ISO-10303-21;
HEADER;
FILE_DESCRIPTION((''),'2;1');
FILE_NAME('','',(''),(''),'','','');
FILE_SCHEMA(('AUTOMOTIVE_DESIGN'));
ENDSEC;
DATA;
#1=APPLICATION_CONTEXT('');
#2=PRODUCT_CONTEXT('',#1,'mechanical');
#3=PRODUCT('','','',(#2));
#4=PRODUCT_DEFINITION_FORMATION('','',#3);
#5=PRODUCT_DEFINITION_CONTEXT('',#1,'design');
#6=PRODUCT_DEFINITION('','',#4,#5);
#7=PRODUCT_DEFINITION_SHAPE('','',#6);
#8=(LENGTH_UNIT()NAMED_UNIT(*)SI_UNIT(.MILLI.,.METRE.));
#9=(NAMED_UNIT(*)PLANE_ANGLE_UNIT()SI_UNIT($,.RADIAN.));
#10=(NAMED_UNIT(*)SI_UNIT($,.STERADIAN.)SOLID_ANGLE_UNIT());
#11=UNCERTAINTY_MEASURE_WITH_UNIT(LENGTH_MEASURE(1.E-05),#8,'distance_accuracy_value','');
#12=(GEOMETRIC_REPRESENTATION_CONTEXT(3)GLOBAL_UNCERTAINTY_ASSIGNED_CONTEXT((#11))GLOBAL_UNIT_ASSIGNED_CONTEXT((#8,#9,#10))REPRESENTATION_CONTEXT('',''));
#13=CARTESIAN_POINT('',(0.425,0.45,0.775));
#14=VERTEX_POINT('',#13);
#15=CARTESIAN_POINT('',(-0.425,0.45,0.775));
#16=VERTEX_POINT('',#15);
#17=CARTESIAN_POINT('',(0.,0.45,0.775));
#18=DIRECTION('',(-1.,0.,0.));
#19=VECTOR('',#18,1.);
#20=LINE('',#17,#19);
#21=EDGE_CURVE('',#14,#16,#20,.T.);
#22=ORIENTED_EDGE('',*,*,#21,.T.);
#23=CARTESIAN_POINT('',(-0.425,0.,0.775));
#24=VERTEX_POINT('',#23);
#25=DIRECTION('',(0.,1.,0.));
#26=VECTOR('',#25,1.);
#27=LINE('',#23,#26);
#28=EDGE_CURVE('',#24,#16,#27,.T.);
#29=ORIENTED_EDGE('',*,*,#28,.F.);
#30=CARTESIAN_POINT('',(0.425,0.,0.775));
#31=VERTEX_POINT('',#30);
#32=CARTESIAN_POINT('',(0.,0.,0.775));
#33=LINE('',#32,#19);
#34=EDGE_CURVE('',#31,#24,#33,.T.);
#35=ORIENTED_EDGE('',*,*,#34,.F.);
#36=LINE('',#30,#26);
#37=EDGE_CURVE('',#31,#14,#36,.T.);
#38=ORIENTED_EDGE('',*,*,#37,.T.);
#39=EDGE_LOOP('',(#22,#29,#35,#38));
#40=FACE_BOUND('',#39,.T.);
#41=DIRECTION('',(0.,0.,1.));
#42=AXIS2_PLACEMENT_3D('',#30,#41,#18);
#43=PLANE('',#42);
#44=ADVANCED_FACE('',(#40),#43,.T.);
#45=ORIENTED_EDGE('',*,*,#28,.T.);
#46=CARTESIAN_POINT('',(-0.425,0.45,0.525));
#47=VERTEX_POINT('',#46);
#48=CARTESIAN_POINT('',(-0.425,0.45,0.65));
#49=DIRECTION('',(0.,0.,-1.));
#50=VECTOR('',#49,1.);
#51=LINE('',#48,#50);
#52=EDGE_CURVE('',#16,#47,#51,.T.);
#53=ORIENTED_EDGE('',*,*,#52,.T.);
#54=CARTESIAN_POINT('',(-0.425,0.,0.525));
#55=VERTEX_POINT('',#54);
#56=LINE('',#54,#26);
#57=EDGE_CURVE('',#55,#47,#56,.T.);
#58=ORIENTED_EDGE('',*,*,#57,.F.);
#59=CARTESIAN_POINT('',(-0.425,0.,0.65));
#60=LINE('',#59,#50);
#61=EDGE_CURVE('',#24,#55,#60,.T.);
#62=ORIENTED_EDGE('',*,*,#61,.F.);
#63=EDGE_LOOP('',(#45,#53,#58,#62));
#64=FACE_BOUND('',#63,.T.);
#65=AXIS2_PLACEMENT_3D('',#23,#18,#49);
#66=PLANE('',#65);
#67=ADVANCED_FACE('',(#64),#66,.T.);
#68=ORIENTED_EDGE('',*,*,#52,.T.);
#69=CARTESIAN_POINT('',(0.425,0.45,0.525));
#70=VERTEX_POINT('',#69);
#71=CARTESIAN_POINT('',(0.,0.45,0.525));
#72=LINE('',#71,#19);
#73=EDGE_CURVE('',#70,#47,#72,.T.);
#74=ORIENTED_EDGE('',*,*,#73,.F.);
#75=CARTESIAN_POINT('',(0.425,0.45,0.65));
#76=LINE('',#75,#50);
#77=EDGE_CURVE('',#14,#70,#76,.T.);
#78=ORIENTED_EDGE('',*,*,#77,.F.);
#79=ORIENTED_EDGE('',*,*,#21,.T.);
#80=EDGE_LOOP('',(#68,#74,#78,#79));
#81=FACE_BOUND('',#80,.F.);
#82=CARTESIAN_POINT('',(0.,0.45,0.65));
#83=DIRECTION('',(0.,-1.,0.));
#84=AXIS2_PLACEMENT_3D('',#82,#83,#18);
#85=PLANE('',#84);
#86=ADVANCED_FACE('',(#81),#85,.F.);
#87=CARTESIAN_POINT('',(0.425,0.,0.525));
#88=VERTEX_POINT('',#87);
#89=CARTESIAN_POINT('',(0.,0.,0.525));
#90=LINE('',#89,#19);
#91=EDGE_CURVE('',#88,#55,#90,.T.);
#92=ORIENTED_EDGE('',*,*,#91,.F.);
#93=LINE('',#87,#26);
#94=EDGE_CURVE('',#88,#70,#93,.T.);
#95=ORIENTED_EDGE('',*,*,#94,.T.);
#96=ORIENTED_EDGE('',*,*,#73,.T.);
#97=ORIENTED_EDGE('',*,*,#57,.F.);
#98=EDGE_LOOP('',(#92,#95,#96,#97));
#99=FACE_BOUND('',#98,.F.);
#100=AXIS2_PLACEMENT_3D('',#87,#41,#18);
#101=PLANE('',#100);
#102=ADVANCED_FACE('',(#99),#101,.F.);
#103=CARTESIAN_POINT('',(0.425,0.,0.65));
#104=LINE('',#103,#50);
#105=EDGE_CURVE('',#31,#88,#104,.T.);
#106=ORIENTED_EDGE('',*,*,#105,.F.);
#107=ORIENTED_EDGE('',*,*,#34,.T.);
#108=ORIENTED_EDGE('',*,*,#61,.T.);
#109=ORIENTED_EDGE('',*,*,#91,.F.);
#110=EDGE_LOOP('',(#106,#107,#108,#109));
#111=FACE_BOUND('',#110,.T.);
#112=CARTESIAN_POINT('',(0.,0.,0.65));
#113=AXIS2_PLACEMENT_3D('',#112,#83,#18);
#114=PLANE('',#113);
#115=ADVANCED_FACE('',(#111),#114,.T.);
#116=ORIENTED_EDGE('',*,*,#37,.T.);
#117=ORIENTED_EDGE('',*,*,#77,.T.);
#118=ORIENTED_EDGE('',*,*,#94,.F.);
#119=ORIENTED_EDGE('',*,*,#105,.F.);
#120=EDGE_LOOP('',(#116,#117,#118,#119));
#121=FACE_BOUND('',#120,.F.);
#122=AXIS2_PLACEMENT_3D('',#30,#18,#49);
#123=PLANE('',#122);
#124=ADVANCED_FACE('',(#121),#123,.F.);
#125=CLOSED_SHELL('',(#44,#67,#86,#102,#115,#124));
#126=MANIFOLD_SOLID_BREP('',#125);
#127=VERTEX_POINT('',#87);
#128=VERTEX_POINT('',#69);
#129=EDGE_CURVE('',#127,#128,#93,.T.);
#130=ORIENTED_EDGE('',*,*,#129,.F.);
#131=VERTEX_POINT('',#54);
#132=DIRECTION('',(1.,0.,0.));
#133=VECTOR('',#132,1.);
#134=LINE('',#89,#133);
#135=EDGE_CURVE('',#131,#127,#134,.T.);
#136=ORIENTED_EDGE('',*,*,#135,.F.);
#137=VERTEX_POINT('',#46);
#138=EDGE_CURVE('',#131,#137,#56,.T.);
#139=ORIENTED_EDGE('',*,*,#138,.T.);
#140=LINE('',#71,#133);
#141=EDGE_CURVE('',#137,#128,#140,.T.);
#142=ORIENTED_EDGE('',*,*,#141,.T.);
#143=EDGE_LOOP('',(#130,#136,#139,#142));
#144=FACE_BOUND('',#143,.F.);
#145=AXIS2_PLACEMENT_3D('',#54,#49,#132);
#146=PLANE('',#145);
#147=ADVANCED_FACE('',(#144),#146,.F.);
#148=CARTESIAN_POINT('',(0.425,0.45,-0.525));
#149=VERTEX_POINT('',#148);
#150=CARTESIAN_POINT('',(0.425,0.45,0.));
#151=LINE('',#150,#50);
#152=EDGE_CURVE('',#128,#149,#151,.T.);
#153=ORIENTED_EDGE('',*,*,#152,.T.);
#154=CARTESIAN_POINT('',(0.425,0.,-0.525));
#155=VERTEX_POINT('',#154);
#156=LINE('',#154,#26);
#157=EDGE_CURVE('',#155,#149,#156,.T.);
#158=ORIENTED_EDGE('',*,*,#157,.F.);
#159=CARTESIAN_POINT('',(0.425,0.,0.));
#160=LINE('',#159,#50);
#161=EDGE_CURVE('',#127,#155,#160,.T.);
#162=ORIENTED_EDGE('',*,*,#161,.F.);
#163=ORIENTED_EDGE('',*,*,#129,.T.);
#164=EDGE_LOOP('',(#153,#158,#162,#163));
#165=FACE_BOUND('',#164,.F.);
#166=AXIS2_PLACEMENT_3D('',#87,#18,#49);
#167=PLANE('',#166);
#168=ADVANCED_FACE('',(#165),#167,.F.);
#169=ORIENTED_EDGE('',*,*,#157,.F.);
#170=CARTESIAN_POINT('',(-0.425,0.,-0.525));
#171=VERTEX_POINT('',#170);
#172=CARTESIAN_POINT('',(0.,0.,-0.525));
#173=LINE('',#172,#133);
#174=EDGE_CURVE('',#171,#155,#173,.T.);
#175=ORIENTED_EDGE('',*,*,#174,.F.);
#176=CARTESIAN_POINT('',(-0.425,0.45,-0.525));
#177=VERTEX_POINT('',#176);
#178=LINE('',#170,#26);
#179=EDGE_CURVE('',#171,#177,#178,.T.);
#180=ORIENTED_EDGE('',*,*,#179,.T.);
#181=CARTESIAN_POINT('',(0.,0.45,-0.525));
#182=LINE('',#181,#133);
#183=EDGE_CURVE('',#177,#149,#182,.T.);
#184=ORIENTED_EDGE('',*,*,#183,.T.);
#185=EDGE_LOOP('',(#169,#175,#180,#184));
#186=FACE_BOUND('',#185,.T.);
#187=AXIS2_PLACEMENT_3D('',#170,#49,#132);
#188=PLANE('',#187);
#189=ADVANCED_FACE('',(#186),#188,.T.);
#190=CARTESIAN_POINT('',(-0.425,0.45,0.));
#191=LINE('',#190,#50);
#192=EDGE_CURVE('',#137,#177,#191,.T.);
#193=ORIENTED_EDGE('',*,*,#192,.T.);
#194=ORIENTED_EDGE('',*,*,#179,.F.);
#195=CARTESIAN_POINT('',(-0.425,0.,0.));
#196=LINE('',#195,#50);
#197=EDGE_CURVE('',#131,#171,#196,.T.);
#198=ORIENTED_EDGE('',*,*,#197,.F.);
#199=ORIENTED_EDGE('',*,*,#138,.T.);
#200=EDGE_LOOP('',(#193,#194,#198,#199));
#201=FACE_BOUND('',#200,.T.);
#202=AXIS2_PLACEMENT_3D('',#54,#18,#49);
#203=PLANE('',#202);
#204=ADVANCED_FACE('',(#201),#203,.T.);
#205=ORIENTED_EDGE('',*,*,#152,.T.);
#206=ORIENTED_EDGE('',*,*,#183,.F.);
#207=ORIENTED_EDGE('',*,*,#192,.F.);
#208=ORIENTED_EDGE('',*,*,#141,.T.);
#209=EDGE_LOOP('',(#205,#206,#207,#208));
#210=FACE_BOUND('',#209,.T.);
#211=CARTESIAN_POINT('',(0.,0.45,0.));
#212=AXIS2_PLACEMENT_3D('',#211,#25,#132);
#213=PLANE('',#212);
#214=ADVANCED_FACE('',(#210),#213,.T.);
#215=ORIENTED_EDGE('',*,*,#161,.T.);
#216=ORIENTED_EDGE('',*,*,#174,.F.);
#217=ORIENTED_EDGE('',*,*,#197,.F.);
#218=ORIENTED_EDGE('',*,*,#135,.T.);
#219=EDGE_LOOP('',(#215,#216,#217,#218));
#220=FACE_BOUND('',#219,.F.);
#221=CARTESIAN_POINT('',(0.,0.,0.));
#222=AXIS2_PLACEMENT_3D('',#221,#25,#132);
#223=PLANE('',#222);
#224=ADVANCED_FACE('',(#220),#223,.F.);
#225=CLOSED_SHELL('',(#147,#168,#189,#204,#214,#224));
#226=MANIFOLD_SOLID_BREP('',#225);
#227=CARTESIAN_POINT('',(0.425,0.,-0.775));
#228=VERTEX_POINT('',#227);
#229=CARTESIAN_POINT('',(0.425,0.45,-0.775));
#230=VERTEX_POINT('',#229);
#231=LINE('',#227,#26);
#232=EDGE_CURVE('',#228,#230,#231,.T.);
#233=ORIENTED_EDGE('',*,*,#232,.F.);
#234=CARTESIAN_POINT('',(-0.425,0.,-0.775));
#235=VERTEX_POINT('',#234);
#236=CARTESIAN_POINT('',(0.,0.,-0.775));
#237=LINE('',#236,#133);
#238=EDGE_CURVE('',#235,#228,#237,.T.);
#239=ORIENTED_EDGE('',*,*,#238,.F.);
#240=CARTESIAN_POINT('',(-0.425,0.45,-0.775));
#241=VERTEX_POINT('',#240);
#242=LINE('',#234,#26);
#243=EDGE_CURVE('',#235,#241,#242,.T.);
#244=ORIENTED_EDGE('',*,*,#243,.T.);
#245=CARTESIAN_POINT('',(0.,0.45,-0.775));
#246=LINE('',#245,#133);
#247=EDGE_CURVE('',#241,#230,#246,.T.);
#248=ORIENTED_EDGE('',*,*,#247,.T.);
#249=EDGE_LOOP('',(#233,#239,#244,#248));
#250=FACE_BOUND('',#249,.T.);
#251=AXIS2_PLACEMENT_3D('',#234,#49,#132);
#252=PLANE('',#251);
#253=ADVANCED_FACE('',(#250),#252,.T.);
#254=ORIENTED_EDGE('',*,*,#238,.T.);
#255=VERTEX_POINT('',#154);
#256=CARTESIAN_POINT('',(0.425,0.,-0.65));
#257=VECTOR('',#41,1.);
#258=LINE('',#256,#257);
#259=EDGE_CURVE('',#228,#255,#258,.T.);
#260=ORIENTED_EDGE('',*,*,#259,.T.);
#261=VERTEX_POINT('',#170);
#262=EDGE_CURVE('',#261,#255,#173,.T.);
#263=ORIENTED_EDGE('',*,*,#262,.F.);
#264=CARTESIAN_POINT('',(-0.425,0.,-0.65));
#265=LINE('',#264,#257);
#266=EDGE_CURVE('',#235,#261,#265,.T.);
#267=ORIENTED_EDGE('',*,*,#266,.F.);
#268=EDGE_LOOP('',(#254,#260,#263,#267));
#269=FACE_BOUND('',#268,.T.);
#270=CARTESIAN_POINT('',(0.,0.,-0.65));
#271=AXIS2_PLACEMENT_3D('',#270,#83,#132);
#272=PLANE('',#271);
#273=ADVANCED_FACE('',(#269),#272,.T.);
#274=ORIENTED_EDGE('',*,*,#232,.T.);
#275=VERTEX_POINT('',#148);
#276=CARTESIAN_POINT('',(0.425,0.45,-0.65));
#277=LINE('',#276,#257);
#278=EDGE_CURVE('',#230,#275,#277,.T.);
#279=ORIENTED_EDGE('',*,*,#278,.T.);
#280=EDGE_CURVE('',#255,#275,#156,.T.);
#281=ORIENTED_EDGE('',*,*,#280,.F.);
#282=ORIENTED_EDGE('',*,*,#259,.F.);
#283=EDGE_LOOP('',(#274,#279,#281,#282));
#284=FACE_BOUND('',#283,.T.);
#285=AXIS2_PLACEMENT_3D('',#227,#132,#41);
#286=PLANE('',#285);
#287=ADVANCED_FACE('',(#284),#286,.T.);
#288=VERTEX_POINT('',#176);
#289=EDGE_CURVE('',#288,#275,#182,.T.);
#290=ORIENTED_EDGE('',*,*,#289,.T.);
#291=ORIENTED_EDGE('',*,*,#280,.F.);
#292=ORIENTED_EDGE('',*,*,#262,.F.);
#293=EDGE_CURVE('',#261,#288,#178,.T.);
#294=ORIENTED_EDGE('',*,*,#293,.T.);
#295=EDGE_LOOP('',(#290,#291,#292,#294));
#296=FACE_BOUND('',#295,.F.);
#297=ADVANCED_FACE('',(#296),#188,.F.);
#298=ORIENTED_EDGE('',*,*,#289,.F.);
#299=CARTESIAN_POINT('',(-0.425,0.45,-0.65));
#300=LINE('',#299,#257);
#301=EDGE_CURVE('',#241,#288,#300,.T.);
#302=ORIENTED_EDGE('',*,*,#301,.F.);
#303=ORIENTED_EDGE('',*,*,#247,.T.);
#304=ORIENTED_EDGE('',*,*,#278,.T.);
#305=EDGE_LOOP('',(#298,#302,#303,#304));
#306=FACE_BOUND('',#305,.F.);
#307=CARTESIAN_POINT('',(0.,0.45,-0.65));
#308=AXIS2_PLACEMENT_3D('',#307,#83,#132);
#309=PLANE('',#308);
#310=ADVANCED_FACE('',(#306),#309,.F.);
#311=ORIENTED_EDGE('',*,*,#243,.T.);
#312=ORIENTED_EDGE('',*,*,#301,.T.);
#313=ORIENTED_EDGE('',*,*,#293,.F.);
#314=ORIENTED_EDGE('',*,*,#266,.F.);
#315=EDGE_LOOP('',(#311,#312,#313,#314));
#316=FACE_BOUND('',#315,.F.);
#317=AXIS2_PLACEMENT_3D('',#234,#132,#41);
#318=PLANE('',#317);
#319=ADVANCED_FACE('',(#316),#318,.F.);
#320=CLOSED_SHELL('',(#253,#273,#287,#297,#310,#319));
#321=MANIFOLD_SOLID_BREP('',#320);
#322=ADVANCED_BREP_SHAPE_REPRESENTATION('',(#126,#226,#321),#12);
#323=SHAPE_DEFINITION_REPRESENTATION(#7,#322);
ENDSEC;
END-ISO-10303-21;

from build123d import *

# Parameters (mm, degrees)
MAINBODYS_W     = 0.85
MAINBODYS_H     = 1.05
MAINBODY_DEPTH  = 0.45
LEFTBODYS_W     = 0.85
LEFTBODYS_H     = 0.25
LEFTBODY_DEPTH  = 0.45
RIGHTBODYS_W    = 0.85
RIGHTBODYS_H    = 0.25
RIGHTBODY_DEPTH = 0.45


with BuildPart() as part:
    # MainBodyS → MainBody (new body)
    with BuildSketch(Plane(origin=(0, 0, 0), x_dir=(1, 0, 0), z_dir=(0, 1, 0))):
        Rectangle(MAINBODYS_W, MAINBODYS_H)
    extrude(amount=MAINBODY_DEPTH)


with BuildPart() as body_2:
    # LeftBodyS → LeftBody (new body)
    with BuildSketch(Plane(origin=(0, 0, 0), x_dir=(-1, 0, 0), z_dir=(0, -1, 0))):
        with Locations((0, -0.65)):
            Rectangle(LEFTBODYS_W, LEFTBODYS_H)
    extrude(amount=-LEFTBODY_DEPTH)


with BuildPart() as body_3:
    # RightBodyS → RightBody (new body)
    with BuildSketch(Plane.XZ):
        with Locations((0, -0.65)):
            Rectangle(RIGHTBODYS_W, RIGHTBODYS_H)
    extrude(amount=-RIGHTBODY_DEPTH)


solid = Compound([part.part, body_2.part, body_3.part])
